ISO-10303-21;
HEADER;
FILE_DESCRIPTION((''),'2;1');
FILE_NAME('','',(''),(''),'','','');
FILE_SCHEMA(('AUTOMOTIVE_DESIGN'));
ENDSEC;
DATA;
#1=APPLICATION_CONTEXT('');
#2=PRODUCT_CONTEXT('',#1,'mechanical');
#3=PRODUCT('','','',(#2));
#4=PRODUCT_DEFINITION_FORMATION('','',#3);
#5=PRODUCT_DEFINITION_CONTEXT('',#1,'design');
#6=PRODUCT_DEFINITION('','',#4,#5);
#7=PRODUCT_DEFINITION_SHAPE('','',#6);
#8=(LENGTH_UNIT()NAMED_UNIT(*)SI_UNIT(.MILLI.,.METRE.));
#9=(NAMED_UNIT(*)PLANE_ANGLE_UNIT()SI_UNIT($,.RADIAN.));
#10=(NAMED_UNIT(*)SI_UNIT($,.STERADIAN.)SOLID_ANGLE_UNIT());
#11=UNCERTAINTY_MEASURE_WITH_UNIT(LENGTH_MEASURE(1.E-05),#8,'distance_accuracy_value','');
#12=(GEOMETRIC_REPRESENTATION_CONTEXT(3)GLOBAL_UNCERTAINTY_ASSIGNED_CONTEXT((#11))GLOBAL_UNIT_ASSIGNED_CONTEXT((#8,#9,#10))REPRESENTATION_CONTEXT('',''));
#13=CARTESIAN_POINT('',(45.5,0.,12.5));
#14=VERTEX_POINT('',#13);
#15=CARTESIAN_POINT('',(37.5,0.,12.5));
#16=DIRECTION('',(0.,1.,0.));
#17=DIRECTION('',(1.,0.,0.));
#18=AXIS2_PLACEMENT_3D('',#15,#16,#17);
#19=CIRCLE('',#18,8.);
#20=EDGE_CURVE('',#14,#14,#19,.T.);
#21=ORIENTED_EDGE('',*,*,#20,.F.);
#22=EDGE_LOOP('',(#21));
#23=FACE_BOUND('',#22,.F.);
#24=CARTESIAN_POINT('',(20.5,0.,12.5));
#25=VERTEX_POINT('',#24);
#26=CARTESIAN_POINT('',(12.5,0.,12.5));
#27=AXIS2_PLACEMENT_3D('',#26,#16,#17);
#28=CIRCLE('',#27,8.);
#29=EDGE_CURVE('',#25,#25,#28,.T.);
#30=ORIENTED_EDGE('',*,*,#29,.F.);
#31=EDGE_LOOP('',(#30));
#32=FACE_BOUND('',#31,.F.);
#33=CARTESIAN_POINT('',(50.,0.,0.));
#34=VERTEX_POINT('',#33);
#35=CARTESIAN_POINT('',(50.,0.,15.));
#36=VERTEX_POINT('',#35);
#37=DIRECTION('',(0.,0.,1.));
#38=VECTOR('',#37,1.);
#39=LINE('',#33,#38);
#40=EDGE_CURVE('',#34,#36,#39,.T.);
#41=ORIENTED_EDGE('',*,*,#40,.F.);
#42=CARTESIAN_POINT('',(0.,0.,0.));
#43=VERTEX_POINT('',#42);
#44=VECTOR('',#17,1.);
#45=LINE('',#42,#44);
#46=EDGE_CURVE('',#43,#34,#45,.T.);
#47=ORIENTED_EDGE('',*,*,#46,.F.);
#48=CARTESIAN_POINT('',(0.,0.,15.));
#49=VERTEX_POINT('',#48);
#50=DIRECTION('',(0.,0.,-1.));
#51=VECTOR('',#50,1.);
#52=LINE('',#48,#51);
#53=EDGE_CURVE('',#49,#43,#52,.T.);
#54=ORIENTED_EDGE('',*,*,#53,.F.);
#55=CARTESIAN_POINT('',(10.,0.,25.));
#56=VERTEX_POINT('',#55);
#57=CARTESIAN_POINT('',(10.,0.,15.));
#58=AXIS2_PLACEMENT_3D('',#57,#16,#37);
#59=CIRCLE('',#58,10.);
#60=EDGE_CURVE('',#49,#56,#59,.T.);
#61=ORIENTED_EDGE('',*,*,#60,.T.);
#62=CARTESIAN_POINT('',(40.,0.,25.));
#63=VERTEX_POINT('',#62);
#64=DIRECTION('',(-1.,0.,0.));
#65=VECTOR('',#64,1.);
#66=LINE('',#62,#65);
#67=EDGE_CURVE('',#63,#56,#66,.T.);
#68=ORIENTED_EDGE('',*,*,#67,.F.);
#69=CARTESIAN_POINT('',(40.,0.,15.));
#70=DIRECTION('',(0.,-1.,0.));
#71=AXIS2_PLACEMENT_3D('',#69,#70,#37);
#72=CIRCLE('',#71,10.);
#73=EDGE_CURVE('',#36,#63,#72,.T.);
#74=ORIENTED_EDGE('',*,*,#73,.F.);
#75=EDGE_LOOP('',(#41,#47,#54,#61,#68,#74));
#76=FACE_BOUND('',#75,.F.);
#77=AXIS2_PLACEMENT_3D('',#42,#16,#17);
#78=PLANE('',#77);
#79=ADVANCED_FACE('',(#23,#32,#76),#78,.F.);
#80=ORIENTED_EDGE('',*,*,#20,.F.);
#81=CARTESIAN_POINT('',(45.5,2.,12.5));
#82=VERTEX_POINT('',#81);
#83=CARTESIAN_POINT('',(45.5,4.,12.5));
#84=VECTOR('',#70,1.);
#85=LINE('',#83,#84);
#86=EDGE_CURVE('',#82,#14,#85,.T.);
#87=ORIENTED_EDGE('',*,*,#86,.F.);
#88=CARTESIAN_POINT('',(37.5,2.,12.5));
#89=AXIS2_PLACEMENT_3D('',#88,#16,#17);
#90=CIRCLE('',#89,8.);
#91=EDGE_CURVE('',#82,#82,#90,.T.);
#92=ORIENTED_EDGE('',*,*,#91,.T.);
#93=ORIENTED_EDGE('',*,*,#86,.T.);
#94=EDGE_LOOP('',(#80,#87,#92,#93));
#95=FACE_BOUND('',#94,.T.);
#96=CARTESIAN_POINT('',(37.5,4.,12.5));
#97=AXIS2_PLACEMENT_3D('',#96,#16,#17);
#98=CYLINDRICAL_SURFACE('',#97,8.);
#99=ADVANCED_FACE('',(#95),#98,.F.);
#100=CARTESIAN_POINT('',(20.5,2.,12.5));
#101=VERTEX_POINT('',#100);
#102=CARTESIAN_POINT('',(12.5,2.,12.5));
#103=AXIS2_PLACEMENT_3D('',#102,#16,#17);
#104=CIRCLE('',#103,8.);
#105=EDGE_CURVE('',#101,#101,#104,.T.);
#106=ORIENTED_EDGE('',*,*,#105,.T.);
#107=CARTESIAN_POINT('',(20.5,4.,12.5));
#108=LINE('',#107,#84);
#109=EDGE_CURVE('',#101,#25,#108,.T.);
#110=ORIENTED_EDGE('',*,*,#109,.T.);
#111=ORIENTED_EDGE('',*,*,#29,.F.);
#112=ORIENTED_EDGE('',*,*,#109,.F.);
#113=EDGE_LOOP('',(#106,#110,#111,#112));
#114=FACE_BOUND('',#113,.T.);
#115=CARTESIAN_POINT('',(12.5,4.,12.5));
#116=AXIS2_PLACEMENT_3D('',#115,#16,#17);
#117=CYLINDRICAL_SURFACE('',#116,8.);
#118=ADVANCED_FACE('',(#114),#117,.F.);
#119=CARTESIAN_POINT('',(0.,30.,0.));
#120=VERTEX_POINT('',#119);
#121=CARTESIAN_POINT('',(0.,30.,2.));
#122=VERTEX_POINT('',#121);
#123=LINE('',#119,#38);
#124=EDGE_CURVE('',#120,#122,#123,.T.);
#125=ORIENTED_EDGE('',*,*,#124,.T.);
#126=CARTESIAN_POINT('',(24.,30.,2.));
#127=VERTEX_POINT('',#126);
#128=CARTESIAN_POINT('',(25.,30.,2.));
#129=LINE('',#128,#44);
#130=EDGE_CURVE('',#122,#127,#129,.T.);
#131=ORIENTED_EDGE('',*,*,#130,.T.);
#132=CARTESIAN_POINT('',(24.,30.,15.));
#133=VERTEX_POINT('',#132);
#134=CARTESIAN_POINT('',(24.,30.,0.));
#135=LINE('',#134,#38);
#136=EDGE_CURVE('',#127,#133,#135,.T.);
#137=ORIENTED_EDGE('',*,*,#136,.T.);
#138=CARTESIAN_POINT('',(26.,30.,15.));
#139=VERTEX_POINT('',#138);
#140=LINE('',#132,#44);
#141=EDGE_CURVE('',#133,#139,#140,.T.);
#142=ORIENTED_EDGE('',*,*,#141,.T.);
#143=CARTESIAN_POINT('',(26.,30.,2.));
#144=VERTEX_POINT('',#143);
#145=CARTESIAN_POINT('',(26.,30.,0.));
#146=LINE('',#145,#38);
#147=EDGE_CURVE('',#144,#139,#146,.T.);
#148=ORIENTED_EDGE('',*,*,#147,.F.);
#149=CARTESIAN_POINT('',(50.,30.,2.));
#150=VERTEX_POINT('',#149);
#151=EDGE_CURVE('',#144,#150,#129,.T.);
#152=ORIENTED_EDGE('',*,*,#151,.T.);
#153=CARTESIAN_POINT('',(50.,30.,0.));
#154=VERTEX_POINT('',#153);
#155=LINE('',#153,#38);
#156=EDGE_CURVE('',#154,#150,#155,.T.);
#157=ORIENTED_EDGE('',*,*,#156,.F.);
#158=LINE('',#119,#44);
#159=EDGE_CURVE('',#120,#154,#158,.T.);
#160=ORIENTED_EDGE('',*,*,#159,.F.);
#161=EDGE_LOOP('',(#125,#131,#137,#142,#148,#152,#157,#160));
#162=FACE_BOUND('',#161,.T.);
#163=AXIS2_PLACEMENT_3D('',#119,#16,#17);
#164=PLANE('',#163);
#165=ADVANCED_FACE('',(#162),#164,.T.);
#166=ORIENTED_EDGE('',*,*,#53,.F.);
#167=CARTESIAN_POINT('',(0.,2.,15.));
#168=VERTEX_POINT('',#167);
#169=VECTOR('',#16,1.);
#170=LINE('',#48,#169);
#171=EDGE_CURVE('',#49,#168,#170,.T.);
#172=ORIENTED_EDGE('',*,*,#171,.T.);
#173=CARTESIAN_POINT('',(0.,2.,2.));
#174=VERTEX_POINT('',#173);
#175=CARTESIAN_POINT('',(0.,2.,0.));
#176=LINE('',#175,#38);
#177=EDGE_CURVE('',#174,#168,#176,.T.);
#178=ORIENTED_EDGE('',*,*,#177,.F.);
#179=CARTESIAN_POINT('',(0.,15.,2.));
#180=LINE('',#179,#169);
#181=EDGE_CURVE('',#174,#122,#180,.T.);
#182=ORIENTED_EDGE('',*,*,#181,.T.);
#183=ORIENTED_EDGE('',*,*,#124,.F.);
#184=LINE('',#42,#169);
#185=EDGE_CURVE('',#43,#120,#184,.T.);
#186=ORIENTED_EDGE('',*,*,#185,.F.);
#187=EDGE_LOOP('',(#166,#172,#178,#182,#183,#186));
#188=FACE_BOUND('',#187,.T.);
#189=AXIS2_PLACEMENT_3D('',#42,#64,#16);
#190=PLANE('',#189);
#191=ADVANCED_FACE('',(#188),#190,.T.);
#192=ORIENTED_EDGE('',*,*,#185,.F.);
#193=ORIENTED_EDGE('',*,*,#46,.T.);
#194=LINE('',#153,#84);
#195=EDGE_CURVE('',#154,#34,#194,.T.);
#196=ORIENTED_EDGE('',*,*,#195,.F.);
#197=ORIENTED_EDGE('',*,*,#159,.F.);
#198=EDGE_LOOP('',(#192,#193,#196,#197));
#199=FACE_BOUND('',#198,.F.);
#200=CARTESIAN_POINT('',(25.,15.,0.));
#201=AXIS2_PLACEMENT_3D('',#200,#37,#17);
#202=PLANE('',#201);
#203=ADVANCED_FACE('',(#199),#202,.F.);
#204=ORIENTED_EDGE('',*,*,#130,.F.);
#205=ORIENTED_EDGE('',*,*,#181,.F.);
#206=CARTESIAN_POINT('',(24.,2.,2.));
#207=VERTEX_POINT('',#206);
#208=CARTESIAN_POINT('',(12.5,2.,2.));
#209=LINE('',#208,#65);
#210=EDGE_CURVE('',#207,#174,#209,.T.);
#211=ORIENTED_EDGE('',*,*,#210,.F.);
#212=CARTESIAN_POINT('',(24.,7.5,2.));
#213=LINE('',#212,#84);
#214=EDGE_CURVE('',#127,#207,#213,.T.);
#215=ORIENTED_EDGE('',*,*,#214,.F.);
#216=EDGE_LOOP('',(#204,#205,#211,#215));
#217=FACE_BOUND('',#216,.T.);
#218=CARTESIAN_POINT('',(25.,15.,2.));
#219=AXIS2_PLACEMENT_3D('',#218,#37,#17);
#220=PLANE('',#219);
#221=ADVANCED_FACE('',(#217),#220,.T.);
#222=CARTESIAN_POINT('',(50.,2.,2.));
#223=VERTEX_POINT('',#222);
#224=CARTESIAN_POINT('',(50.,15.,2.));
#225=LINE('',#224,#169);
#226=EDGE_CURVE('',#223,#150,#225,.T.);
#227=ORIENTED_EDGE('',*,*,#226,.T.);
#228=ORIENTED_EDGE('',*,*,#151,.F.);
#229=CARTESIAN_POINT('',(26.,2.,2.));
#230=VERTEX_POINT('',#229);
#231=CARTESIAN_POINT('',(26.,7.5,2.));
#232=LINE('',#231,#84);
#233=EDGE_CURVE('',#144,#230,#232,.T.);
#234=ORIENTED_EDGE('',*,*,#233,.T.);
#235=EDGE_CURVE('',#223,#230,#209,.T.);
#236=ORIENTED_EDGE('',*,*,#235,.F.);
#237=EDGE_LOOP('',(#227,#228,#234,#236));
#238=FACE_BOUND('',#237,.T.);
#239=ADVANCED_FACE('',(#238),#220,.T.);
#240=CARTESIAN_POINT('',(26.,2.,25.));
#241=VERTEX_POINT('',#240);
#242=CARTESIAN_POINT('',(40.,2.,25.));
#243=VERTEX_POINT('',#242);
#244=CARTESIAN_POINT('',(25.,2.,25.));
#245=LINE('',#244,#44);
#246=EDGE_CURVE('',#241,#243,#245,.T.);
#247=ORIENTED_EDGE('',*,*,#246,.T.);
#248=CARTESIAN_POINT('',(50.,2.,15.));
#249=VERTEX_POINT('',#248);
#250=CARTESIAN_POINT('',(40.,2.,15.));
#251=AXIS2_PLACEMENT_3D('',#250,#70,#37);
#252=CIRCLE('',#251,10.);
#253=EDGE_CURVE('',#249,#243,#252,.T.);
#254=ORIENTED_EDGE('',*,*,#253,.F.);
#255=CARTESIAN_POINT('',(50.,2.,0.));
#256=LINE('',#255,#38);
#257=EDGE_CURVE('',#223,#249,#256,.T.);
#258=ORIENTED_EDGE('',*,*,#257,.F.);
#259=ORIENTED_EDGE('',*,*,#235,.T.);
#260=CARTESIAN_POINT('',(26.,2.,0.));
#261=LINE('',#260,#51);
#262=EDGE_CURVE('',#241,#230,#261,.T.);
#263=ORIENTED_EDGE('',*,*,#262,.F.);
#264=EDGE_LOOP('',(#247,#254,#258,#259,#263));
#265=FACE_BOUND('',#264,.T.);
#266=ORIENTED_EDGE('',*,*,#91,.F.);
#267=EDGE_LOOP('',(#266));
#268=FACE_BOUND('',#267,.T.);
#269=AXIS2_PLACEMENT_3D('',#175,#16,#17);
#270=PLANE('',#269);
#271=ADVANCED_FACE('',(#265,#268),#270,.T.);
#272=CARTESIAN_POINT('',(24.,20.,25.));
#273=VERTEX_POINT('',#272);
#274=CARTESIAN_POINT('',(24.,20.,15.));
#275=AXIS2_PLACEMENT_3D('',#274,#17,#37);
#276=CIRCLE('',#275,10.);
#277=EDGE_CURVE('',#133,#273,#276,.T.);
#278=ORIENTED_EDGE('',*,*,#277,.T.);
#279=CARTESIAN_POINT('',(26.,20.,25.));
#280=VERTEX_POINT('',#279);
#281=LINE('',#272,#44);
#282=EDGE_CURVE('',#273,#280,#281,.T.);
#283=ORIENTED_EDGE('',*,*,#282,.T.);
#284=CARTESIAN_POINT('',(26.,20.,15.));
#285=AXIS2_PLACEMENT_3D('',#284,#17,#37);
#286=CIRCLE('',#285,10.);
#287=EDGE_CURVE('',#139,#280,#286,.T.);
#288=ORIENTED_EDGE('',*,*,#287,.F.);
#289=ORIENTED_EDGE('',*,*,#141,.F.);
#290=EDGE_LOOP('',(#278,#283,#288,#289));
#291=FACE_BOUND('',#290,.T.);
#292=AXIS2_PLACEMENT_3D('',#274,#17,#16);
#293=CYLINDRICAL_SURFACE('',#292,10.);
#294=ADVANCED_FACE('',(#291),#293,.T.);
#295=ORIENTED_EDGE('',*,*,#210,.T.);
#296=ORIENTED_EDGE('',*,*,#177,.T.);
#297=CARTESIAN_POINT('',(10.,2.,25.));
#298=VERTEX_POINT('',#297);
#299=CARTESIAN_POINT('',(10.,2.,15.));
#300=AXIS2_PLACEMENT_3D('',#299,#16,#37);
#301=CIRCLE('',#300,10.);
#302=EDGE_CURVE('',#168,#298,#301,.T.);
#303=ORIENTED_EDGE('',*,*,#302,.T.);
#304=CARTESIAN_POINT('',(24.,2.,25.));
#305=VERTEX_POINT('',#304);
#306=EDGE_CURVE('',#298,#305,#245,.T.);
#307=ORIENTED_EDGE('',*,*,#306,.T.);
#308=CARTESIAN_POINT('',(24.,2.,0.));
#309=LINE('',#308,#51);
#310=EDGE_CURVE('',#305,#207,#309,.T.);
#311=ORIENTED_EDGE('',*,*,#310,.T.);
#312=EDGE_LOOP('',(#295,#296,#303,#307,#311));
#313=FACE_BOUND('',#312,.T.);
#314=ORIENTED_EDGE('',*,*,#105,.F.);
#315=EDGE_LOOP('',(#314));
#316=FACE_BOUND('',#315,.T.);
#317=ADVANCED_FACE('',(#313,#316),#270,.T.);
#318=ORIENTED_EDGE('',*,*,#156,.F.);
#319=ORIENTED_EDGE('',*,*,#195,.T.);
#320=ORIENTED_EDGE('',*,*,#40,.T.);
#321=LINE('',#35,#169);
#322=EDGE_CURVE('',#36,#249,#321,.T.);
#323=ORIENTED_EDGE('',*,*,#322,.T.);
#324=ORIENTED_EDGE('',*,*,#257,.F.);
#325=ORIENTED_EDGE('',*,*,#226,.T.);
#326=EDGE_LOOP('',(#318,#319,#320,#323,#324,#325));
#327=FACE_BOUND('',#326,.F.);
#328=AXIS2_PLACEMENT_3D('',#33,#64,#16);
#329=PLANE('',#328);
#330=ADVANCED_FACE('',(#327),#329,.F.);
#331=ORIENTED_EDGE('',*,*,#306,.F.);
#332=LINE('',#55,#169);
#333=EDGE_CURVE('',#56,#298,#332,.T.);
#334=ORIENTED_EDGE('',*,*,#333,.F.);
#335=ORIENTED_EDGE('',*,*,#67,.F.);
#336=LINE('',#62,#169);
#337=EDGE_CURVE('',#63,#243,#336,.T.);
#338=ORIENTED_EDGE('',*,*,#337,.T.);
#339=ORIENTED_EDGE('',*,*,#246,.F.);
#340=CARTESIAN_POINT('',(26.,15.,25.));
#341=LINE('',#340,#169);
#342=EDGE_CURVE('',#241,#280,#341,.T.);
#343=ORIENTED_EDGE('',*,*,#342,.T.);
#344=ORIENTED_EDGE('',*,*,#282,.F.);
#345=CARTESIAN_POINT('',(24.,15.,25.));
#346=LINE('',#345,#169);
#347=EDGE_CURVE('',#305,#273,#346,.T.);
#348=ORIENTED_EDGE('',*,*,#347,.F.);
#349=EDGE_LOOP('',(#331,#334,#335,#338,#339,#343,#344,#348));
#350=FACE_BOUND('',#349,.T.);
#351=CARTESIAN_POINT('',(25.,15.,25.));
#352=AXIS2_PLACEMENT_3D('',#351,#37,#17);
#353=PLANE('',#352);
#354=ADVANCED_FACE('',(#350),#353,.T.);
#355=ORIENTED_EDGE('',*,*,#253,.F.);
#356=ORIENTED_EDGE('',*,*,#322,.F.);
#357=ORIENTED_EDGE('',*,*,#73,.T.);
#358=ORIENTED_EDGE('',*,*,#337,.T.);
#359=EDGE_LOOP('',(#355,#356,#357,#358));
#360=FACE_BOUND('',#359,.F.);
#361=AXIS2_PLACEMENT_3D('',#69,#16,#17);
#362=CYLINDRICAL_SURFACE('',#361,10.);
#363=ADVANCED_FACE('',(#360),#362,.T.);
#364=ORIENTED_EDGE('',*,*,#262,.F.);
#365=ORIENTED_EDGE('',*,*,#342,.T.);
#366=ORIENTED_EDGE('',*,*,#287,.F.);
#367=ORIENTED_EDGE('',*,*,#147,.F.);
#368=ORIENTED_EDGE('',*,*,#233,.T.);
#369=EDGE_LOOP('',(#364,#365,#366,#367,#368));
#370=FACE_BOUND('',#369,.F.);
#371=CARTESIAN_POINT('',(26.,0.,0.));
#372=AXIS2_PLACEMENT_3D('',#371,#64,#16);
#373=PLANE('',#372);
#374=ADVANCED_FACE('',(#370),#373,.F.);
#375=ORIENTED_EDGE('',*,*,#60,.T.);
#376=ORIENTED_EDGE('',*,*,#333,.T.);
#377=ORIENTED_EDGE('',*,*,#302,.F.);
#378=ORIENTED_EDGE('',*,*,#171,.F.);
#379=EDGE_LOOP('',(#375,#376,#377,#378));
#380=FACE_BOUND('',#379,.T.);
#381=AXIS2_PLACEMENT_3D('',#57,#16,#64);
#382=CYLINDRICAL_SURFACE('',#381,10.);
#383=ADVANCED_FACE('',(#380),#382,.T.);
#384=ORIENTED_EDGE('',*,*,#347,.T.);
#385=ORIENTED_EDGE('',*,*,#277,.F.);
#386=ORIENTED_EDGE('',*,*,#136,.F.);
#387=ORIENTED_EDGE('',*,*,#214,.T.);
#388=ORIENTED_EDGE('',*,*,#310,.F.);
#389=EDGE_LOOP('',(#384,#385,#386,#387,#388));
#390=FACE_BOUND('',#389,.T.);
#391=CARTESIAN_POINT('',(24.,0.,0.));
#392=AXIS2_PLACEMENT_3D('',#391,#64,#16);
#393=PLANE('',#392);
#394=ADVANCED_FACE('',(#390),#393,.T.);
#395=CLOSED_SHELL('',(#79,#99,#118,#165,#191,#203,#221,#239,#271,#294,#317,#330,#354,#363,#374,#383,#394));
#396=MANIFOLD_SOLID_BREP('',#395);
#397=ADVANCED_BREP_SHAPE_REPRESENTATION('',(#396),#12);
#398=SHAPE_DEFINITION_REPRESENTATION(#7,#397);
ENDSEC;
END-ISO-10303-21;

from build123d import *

# Parameters (mm, degrees)
CYLINDER_R        = 8
CYLINDER_DEPTH    = 10
CYLINDER001_R     = 8
CYLINDER001_DEPTH = 10
BOX002_W          = 2
BOX002_H          = 30
BOX002_DEPTH      = 25
FILLET_R          = 10
BOX001_W          = 50
BOX001_H          = 2
BOX001_DEPTH      = 25
FILLET001_R       = 10
BOX_W             = 50
BOX_H             = 30
BOX_DEPTH         = 2


with BuildPart() as cylinder:
    # Cylinder → Cylinder (new body)
    with BuildSketch(Plane(origin=(12.5, 4, 12.5), x_dir=(1, 0, 0), z_dir=(0, -1, 0))):
        Circle(CYLINDER_R)
    extrude(amount=CYLINDER_DEPTH)


with BuildPart() as fusion:
    # Cylinder001 → Cylinder001 (new body)
    with BuildSketch(Plane(origin=(37.5, 4, 12.5), x_dir=(1, 0, 0), z_dir=(0, -1, 0))):
        Circle(CYLINDER001_R)
    extrude(amount=CYLINDER001_DEPTH)

    # Fusion: union Cylinder
    add(cylinder.part)


with BuildPart() as fillet_body:
    # Box002 → Box002 (new body)
    with BuildSketch(Plane(origin=(24, 0, 0), x_dir=(1, 0, 0), z_dir=(0, 0, 1))):
        with Locations((1, 15)):
            Rectangle(BOX002_W, BOX002_H)
    extrude(amount=BOX002_DEPTH)

    # Fillet
    fillet_edges = [fillet_body.edges().sort_by_distance(p)[0] for p in [
        (25, 30, 25),
    ]]
    fillet(fillet_edges, radius=FILLET_R)


with BuildPart() as fillet001:
    # Box001 → Box001 (new body)
    with BuildSketch(Plane.XY):
        with Locations((25, 1)):
            Rectangle(BOX001_W, BOX001_H)
    extrude(amount=BOX001_DEPTH)

    # Fillet001
    fillet001_edges = [fillet001.edges().sort_by_distance(p)[0] for p in [
        (0, 1, 25),
        (50, 1, 25),
    ]]
    fillet(fillet001_edges, radius=FILLET001_R)


with BuildPart() as cut001:
    # Box → Box (new body)
    with BuildSketch(Plane.XY):
        with Locations((25, 15)):
            Rectangle(BOX_W, BOX_H)
    extrude(amount=BOX_DEPTH)

    # Fusion001: union Fillet body, Fillet001
    add(fillet_body.part)
    add(fillet001.part)

    # Cut: cut Fusion
    add(fusion.part, mode=Mode.SUBTRACT)


solid = cut001.part
